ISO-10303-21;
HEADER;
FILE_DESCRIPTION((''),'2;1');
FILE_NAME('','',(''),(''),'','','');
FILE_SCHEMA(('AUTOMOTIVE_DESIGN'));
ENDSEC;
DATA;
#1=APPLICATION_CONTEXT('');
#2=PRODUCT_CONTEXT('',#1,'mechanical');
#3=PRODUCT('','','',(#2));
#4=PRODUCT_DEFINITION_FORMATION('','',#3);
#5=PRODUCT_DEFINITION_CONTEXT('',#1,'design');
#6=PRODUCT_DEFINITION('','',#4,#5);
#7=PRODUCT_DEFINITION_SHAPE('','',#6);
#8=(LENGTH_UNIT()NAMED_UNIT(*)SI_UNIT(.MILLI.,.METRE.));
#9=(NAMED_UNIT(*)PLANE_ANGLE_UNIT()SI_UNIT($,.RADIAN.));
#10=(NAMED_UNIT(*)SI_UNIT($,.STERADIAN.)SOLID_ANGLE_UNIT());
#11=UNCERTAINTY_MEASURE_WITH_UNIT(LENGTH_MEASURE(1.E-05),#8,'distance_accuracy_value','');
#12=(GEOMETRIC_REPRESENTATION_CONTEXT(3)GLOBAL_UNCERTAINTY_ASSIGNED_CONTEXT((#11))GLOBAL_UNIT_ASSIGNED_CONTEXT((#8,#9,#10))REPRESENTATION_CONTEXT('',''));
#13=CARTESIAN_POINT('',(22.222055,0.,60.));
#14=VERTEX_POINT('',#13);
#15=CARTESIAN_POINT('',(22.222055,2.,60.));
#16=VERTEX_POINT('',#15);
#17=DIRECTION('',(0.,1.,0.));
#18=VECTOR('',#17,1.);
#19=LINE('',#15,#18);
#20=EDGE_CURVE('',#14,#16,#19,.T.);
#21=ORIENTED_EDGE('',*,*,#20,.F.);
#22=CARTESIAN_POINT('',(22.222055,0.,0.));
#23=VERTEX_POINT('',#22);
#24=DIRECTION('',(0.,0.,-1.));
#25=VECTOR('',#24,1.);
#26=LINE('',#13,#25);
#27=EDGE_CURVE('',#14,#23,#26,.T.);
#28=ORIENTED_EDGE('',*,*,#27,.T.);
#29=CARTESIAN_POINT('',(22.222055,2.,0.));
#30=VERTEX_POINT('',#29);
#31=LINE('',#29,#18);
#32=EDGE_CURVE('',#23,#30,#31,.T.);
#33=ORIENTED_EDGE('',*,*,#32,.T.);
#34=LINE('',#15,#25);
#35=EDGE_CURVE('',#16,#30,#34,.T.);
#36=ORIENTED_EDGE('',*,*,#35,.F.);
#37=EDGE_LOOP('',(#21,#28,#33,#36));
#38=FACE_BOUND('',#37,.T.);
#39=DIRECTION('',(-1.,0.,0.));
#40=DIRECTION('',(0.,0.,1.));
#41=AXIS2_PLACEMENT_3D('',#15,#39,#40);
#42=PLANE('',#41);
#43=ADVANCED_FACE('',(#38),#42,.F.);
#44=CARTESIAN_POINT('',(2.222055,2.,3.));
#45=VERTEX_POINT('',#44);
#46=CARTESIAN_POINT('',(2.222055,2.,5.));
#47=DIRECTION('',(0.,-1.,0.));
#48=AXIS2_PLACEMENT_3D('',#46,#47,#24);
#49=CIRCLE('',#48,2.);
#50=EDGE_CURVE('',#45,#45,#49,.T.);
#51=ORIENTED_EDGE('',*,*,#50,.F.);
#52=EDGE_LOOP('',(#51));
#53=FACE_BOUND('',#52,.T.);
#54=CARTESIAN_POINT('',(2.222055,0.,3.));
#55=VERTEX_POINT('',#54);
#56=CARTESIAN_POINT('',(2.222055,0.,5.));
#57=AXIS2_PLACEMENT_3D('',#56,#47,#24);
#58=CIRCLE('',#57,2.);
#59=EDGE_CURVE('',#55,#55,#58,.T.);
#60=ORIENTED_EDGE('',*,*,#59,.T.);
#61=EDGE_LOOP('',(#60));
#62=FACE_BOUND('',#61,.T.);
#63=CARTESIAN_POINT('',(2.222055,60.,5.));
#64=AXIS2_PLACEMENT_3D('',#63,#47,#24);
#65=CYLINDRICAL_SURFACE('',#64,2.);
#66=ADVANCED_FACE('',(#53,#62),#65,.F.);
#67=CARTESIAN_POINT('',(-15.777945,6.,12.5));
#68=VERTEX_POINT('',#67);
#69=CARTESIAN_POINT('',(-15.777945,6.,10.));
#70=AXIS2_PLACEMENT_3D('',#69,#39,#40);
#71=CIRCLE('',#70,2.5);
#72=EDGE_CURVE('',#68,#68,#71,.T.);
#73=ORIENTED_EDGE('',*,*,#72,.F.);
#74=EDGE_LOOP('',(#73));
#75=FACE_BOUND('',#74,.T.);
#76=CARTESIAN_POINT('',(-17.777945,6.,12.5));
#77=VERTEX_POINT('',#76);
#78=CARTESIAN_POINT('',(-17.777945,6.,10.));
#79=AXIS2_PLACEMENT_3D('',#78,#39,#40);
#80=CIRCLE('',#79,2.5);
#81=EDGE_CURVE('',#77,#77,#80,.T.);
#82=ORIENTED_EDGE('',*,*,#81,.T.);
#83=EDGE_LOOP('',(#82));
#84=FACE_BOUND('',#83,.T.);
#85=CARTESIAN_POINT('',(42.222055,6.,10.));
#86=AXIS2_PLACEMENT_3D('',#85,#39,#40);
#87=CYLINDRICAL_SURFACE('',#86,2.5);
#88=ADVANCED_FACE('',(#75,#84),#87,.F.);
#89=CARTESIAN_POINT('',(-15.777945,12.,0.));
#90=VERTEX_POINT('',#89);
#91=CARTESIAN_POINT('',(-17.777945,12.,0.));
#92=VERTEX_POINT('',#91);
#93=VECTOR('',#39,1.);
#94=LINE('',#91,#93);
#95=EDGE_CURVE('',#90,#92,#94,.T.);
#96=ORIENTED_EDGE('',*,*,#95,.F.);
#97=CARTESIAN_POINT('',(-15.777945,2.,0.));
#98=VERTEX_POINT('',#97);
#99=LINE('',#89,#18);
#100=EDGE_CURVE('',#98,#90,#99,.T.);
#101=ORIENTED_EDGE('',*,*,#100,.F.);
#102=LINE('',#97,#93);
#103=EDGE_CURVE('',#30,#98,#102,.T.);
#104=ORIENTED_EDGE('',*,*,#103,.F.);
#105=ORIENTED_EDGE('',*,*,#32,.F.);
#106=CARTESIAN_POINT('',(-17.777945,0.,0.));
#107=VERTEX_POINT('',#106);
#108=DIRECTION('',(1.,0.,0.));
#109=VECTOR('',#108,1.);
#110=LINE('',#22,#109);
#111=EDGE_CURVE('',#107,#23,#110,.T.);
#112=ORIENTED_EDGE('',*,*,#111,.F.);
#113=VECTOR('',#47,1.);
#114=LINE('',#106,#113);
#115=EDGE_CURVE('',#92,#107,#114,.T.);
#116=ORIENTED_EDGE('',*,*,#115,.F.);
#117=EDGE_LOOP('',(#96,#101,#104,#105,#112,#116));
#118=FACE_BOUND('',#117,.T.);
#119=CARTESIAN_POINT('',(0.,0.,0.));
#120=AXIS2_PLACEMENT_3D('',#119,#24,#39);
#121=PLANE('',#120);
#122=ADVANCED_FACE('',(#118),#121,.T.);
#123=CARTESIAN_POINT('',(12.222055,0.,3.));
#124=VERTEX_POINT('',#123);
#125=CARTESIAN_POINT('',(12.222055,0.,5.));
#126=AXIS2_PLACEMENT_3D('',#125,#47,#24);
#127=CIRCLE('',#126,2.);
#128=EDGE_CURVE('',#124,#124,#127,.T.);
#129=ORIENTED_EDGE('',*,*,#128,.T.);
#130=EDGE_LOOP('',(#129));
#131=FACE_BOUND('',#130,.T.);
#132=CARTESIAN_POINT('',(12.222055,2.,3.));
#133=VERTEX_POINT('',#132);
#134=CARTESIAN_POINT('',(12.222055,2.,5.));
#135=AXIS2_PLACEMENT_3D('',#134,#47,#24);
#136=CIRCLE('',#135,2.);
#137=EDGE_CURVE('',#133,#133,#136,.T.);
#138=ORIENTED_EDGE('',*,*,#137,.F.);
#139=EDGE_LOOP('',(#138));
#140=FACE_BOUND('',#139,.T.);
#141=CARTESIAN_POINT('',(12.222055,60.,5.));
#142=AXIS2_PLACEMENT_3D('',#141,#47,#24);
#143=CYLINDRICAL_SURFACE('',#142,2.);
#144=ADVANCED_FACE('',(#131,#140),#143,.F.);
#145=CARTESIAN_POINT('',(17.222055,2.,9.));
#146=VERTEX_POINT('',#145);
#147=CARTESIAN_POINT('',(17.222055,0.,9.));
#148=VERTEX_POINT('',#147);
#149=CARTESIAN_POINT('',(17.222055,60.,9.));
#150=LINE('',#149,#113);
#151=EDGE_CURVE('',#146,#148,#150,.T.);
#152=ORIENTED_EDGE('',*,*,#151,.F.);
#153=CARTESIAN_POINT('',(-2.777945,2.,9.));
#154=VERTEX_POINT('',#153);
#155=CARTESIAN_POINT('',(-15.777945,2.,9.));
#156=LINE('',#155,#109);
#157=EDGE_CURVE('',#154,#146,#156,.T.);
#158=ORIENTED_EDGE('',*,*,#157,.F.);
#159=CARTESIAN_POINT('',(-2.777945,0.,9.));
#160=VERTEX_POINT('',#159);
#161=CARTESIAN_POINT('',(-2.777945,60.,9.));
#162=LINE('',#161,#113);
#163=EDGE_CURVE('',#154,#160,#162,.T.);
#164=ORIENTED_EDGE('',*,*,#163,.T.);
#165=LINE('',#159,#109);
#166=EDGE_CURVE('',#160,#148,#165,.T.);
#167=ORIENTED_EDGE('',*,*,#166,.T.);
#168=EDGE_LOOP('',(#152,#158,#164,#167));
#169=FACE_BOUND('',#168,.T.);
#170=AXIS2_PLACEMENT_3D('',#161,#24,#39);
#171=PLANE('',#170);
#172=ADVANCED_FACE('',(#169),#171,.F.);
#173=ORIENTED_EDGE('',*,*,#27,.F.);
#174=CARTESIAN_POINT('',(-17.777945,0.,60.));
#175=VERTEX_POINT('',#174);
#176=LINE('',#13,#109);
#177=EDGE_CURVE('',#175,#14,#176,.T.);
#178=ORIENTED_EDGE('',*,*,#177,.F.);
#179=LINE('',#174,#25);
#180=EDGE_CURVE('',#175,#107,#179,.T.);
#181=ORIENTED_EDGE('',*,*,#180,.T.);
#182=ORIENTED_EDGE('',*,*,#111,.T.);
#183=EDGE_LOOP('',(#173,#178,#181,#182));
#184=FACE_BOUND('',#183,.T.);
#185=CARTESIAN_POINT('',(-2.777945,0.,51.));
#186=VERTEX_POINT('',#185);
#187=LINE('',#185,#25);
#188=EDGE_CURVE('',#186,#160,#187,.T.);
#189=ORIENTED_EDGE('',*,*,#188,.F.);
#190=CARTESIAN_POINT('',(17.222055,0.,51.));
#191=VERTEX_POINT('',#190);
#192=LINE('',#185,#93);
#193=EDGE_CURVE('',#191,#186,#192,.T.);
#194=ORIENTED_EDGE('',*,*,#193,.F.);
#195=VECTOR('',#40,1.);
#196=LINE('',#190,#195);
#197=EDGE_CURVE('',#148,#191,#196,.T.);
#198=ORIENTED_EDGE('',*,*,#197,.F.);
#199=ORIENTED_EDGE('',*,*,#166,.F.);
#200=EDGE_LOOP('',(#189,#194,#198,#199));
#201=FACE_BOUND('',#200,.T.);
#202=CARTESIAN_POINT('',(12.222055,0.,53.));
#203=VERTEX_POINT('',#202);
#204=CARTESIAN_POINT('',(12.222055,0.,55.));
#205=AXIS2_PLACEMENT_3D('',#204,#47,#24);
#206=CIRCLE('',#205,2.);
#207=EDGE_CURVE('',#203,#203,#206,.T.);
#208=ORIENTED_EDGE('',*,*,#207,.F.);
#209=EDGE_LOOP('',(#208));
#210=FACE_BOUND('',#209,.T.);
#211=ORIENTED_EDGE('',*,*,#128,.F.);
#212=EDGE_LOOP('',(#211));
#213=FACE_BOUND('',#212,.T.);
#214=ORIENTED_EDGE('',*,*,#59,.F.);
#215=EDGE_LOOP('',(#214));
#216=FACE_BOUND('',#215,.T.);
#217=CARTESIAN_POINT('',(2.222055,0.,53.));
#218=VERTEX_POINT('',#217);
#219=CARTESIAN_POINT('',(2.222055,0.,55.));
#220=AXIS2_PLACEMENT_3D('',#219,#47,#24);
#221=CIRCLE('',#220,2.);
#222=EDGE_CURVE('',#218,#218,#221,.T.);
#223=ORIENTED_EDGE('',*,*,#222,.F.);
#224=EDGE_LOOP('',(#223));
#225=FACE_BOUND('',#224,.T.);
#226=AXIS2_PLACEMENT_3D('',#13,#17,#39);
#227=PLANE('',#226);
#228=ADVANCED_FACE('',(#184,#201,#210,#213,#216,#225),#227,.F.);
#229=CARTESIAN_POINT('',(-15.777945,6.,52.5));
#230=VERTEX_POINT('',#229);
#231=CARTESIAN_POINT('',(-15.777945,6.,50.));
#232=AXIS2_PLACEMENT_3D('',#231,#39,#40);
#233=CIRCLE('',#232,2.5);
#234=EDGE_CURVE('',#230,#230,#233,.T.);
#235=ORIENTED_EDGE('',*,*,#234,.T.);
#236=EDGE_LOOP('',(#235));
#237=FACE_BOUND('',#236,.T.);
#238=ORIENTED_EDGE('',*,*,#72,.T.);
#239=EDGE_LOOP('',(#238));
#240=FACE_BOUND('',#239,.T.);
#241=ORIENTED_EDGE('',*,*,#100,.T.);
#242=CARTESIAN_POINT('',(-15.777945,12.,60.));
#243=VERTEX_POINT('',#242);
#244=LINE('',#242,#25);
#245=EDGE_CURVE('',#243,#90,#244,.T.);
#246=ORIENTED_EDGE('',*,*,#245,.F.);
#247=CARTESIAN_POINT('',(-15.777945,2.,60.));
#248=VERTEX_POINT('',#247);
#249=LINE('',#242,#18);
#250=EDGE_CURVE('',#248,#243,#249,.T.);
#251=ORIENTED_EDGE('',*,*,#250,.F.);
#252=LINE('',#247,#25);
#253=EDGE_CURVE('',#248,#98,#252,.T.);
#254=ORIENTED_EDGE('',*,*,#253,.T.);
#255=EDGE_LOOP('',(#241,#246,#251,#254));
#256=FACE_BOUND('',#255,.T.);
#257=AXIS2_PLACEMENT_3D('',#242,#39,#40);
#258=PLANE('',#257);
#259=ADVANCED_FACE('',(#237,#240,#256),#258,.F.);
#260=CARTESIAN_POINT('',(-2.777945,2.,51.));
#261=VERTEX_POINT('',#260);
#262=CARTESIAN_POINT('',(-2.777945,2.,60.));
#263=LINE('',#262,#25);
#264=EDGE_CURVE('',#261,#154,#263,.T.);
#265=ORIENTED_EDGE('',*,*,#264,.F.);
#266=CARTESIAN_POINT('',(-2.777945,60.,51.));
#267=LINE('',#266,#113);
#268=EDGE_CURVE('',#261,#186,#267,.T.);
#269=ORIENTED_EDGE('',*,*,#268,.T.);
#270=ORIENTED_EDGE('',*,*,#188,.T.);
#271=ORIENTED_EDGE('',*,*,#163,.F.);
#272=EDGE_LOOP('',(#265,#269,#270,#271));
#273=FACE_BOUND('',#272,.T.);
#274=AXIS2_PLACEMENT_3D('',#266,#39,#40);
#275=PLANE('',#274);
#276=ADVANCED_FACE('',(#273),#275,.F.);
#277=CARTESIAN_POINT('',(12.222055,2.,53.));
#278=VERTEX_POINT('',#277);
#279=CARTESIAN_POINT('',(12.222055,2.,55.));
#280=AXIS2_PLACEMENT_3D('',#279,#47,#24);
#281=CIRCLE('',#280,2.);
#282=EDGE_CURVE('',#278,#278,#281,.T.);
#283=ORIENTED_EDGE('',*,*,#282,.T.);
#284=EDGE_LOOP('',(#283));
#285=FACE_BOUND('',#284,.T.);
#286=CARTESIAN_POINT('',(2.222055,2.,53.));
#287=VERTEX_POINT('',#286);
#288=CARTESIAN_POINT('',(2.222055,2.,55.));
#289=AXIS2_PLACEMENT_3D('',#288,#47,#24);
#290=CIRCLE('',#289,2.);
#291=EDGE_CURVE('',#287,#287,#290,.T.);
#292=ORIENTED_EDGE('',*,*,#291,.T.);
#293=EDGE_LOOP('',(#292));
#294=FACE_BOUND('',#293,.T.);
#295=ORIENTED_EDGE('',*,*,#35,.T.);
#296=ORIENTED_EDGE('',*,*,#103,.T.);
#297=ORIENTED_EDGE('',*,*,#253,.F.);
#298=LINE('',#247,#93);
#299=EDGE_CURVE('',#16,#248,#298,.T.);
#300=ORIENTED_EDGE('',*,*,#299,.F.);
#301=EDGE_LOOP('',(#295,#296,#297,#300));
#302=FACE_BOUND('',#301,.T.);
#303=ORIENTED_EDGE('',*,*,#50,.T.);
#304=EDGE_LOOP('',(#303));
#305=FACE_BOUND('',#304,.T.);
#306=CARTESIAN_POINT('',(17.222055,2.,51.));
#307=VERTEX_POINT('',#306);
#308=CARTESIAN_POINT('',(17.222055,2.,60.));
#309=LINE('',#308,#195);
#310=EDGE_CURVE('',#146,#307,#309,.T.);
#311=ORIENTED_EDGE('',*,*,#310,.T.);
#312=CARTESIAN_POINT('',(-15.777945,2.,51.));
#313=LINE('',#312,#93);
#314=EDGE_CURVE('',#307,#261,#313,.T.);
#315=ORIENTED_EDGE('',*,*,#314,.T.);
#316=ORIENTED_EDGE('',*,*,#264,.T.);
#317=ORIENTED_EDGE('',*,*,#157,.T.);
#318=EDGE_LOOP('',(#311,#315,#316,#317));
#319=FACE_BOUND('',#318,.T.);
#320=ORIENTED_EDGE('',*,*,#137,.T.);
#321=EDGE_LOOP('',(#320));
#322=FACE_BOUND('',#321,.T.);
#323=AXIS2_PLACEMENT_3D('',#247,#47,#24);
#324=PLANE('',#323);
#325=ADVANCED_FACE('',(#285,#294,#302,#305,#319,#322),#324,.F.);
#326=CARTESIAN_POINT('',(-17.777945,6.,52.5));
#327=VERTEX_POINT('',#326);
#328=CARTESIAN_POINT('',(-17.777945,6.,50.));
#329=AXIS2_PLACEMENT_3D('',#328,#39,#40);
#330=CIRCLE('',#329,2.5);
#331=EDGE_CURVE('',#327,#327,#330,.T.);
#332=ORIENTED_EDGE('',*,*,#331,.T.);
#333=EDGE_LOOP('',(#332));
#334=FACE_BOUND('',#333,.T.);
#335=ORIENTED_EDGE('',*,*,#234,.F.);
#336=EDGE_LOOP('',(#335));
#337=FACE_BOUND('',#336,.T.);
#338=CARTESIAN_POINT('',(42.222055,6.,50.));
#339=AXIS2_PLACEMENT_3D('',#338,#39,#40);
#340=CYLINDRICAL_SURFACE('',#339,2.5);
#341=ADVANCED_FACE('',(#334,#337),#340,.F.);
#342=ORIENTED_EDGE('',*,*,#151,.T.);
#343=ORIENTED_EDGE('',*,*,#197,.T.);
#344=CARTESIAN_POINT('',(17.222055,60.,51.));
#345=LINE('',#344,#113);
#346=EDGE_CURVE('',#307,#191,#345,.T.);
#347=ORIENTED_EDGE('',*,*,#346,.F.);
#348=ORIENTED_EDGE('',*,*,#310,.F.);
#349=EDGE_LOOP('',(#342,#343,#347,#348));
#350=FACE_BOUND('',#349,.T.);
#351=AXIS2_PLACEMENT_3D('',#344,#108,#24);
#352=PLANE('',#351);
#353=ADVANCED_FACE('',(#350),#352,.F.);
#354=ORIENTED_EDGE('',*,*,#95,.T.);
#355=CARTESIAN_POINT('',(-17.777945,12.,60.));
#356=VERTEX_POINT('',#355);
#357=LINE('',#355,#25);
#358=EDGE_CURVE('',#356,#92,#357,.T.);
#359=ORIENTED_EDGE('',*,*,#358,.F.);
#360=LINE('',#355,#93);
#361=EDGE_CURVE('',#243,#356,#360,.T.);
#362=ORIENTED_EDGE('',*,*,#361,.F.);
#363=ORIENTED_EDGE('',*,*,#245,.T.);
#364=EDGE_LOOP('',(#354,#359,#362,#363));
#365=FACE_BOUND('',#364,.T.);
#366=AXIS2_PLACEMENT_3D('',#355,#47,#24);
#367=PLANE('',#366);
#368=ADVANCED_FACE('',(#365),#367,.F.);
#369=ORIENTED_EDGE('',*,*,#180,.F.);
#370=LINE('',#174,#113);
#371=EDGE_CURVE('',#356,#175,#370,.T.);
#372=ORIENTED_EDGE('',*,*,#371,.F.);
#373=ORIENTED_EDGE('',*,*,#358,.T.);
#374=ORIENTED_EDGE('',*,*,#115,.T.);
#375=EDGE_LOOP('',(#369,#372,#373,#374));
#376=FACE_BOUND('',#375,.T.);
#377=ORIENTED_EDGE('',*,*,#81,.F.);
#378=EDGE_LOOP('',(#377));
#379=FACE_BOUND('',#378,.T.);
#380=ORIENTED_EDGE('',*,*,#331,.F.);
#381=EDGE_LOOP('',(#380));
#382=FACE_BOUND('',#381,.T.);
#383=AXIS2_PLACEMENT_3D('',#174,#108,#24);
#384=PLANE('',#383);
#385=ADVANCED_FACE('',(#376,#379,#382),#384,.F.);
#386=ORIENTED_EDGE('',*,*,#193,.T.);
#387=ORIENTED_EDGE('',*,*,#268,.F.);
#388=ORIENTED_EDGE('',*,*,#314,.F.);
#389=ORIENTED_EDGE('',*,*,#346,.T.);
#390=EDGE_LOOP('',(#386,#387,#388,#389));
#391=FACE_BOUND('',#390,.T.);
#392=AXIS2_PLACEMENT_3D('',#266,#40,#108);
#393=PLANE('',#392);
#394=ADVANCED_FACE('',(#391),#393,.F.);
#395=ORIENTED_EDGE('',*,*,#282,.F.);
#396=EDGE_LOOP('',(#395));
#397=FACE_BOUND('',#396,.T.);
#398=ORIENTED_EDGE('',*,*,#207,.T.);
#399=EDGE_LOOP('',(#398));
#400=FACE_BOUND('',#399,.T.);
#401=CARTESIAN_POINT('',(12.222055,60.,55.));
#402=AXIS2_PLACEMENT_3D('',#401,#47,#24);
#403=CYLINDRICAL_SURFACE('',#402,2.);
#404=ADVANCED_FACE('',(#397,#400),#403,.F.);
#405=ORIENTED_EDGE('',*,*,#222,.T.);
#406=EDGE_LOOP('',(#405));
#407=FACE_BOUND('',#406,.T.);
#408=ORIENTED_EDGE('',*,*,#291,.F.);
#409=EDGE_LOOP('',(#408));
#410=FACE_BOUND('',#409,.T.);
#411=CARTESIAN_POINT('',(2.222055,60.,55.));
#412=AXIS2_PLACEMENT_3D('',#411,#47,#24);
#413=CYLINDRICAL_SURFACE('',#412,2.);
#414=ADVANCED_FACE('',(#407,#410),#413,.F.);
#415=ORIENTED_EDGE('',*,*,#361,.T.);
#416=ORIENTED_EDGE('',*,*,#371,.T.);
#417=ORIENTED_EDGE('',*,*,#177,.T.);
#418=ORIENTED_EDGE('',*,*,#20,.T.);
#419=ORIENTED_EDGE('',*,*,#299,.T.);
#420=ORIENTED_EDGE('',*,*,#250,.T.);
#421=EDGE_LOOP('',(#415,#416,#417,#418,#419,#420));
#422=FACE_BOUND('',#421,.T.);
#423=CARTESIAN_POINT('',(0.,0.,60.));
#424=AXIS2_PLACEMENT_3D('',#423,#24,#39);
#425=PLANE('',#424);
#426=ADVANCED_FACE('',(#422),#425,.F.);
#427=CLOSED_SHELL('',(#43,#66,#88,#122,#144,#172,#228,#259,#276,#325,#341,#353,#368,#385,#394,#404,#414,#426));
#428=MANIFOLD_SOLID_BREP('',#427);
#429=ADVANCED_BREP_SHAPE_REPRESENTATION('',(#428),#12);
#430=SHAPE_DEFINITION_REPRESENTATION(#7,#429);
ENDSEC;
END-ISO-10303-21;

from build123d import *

# Parameters (mm, degrees)
SALIENTE_EXTRUIR1_DEPTH = 60
CROQUIS3_R              = 2.5
CORTAR_EXTRUIR1_DEPTH   = 60
CROQUIS4_R              = 2
CROQUIS4_W              = 20
CROQUIS4_H              = 42
CORTAR_EXTRUIR2_DEPTH   = 60


with BuildPart() as part:
    # Croquis2 → Saliente-Extruir1 (new body)
    with BuildSketch(Plane.XY):
        Polygon((22.222055452, 0), (-17.777944548, 0), (-17.777944548, 12), (-15.777944548, 12), (-15.777944548, 2), (22.222055452, 2), align=None)
    extrude(amount=SALIENTE_EXTRUIR1_DEPTH)

    # Croquis3 → Cortar-Extruir1 (cut)
    with BuildSketch(Plane.ZY.offset(17.777944548)):
        with Locations((10, 6)):
            Circle(CROQUIS3_R)
        with Locations((50, 6)):
            Circle(CROQUIS3_R)
    extrude(amount=-CORTAR_EXTRUIR1_DEPTH, mode=Mode.SUBTRACT)

    # Croquis4 → Cortar-Extruir2 (cut)
    with BuildSketch(Plane.XZ):
        with Locations((2.222055452, 55)):
            Circle(CROQUIS4_R)
        with Locations((12.222055452, 55)):
            Circle(CROQUIS4_R)
        with Locations((2.222055452, 5)):
            Circle(CROQUIS4_R)
        with Locations((12.222055452, 5)):
            Circle(CROQUIS4_R)
        with Locations((7.222055452, 30)):
            Rectangle(CROQUIS4_W, CROQUIS4_H)
    extrude(amount=-CORTAR_EXTRUIR2_DEPTH, mode=Mode.SUBTRACT)


solid = part.part
